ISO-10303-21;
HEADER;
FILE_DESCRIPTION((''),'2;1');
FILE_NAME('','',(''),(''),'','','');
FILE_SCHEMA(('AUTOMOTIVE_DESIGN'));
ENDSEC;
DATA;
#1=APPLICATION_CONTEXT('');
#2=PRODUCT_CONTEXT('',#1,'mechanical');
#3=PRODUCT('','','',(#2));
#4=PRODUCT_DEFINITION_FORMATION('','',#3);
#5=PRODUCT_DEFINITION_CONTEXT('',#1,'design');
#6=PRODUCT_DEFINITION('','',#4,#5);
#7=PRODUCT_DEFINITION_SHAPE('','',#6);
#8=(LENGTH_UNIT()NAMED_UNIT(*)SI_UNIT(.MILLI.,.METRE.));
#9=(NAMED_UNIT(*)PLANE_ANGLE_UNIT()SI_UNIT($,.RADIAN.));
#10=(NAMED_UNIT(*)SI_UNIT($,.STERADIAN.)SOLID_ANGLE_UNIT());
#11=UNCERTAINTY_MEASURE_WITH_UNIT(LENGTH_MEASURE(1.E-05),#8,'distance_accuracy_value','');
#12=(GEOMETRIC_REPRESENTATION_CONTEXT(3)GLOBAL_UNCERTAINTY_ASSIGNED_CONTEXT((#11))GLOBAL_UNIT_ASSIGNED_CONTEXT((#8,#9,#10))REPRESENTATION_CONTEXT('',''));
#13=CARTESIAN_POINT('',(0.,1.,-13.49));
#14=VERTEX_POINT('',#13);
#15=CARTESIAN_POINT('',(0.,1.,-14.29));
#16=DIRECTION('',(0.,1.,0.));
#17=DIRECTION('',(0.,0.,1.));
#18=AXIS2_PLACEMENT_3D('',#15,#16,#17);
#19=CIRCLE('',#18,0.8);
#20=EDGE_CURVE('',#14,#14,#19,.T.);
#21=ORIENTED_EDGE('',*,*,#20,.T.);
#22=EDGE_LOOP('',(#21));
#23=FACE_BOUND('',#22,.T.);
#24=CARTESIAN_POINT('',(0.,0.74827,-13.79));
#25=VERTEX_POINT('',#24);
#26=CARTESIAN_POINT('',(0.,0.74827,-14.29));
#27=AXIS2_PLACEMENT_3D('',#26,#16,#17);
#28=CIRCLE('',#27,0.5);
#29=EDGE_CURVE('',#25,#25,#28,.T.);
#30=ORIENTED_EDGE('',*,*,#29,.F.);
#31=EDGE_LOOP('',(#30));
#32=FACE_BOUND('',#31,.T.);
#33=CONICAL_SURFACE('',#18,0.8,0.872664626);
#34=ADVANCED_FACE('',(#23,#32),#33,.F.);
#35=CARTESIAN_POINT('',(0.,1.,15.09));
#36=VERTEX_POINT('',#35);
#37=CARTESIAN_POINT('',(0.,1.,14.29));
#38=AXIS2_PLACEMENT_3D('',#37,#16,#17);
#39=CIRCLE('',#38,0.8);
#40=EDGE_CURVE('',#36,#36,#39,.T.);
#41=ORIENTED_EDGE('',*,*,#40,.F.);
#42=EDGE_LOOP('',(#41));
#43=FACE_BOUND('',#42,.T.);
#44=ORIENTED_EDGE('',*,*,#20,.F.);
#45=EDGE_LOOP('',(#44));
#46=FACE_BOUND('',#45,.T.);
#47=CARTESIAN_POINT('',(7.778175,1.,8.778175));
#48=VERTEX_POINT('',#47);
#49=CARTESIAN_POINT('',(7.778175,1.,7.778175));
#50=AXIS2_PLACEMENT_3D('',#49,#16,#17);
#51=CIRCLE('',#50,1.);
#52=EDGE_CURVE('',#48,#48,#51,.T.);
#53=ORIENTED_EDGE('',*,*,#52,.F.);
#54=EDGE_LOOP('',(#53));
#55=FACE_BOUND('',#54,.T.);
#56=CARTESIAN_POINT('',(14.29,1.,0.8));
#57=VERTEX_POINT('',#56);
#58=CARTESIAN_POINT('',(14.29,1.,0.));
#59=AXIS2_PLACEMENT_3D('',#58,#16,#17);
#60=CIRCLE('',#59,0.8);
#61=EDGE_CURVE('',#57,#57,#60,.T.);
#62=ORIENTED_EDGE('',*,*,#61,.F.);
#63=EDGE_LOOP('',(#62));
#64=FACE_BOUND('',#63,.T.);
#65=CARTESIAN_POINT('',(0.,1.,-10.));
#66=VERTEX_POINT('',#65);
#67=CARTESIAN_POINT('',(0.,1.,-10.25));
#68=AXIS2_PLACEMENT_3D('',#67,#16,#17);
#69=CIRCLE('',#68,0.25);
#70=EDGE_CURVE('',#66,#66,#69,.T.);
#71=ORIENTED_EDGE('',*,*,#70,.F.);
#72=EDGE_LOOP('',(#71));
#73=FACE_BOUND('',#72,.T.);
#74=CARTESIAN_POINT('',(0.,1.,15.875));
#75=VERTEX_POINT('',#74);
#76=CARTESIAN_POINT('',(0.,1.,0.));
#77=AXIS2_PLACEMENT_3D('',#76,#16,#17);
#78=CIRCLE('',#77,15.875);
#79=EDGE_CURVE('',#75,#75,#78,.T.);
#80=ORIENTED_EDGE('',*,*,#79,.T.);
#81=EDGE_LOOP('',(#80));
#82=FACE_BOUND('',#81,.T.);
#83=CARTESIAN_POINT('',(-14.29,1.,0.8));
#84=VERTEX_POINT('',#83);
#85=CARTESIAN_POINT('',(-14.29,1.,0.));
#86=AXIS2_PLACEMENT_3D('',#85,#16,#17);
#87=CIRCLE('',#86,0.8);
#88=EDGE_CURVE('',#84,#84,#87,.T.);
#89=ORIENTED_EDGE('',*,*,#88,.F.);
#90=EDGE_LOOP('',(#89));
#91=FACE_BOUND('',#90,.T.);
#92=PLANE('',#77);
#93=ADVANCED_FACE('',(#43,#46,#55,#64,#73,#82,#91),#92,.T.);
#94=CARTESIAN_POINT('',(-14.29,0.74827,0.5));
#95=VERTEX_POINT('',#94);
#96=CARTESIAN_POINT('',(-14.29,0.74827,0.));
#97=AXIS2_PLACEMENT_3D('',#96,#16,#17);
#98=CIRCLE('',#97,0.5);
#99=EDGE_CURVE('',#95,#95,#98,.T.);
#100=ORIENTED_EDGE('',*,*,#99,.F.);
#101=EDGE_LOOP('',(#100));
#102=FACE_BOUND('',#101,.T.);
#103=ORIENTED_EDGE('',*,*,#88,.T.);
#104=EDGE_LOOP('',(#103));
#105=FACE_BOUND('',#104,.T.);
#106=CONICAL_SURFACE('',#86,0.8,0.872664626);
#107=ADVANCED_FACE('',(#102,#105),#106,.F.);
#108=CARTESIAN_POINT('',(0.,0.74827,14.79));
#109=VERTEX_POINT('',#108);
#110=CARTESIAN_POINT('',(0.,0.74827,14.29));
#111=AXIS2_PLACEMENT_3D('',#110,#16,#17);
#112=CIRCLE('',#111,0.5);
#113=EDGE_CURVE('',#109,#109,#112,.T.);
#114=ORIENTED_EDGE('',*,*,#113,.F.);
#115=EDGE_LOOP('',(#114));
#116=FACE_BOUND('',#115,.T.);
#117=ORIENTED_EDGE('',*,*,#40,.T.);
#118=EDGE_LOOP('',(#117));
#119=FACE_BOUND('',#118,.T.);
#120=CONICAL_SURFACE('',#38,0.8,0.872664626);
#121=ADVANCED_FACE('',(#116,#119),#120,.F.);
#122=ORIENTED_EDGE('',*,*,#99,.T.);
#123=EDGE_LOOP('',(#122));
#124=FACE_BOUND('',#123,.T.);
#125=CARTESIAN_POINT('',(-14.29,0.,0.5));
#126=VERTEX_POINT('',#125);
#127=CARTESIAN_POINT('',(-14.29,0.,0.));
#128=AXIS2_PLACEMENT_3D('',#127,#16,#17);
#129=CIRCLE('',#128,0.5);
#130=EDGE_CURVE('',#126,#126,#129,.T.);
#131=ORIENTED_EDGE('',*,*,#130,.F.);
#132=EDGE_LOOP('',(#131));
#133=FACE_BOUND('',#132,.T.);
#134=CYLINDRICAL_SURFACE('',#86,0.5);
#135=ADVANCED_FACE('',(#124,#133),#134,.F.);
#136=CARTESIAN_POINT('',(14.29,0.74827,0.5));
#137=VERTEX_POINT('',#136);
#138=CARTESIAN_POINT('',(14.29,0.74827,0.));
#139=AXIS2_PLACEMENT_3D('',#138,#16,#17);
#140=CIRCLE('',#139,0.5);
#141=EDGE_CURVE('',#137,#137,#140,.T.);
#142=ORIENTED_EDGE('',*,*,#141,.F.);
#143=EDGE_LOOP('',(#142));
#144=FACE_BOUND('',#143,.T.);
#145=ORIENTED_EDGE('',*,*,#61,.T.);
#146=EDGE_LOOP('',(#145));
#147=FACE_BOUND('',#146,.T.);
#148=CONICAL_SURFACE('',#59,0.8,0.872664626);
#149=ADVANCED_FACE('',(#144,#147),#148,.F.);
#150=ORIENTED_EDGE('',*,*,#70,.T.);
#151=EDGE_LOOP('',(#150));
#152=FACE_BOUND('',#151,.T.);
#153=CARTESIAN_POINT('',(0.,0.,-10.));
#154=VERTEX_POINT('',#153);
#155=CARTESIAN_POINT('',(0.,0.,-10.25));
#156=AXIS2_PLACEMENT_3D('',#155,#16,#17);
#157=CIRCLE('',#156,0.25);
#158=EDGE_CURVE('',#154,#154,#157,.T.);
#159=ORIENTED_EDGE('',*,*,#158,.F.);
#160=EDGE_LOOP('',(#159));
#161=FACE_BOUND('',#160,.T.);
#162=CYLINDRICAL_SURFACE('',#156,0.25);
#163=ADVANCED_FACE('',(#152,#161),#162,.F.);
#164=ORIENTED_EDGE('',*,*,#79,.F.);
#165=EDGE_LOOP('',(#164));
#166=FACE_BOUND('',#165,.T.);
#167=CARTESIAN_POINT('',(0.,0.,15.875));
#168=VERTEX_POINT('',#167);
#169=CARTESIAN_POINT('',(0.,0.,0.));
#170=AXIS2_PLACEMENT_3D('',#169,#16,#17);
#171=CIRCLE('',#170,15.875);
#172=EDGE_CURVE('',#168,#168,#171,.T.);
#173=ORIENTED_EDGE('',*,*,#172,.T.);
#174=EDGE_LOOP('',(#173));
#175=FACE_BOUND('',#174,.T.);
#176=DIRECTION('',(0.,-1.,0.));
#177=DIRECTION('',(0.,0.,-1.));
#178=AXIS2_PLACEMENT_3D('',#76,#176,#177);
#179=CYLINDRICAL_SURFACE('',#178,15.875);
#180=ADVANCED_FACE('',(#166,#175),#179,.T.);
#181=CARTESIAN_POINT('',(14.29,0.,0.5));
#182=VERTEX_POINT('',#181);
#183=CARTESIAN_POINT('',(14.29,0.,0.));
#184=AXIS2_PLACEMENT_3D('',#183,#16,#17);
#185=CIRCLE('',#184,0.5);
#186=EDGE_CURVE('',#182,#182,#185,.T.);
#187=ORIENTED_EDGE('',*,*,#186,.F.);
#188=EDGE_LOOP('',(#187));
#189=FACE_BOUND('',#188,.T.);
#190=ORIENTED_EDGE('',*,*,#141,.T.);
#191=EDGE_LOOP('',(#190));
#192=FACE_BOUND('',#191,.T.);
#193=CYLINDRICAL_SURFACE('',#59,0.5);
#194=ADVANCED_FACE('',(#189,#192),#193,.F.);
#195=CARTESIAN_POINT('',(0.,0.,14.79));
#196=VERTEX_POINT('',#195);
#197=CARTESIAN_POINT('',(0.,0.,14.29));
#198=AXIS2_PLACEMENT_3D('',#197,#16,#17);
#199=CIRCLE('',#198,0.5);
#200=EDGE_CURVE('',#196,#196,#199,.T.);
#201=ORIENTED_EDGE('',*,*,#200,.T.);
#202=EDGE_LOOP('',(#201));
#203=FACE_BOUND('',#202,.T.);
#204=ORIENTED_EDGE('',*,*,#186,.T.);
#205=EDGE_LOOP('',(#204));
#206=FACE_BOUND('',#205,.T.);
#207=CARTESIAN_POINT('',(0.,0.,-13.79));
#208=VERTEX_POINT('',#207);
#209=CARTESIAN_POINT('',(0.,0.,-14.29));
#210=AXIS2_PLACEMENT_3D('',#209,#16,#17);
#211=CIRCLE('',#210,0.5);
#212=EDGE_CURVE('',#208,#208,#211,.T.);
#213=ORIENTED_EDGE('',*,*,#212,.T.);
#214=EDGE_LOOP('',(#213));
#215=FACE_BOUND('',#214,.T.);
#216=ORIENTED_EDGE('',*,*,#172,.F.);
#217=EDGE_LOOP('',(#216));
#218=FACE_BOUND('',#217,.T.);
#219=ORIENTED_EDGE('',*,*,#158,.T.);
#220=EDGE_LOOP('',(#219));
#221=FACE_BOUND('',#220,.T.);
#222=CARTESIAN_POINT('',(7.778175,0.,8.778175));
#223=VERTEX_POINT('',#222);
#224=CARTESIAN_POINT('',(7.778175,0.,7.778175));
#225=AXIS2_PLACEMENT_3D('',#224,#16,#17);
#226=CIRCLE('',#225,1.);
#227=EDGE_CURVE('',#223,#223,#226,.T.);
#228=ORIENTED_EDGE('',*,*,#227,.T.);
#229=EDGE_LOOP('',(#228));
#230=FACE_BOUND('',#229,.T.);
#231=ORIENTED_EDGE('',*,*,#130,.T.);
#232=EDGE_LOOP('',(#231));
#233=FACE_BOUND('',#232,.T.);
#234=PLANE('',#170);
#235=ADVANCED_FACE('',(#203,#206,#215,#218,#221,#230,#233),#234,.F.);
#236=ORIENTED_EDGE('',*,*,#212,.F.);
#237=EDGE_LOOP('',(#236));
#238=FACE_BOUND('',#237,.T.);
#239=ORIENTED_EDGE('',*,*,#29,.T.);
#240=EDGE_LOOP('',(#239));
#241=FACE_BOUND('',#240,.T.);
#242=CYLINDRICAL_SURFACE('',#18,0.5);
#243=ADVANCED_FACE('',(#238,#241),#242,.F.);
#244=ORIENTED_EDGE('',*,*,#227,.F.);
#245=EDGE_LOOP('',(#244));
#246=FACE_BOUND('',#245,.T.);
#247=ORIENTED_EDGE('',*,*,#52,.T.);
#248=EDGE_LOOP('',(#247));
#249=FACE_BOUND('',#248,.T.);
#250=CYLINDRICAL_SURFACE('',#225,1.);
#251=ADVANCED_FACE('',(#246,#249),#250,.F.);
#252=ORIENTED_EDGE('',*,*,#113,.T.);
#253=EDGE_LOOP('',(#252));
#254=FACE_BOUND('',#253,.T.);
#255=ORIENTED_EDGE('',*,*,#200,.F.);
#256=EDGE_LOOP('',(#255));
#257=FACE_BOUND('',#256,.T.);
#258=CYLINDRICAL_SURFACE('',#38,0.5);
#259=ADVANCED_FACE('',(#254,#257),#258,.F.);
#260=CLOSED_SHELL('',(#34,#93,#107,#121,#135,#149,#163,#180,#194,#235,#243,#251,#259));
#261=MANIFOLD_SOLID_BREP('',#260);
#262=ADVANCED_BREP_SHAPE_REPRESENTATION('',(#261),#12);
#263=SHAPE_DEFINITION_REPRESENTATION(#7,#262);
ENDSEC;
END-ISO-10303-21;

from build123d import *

# Parameters (mm, degrees)
SKETCH1_R                                       = 15.875
BOSS_EXTRUDE1_DEPTH                             = 1
CUT_EXTRUDE1_DEPTH                              = 23.472900347
CUT_EXTRUDE1_DEPTH_BACK                         = 23.472900347
SKETCH6_R                                       = 0.25
SKETCH6_R_2                                     = 1
CSK_FOR_M2_FLAT_HEAD_MACHINE_SCREW1_D           = 1
CSK_FOR_M2_FLAT_HEAD_MACHINE_SCREW1_CSINK_D     = 1.6
CSK_FOR_M2_FLAT_HEAD_MACHINE_SCREW1_CSINK_ANGLE = 100


with BuildPart() as part:
    # Sketch1 → Boss-Extrude1 (new body)
    with BuildSketch(Plane(origin=(0, 0, 0), x_dir=(1, 0, 0), z_dir=(0, 1, 0))):
        with Locations(Location((0, 0, 0), (0, 0, 270))):
            Circle(SKETCH1_R)
    extrude(amount=BOSS_EXTRUDE1_DEPTH)

    # Sketch6 → Cut-Extrude1 (cut, two sides: drawn at the far end of the back side and taken through both)
    with BuildSketch(Plane(origin=(0, 1, 0), x_dir=(1, 0, 0), z_dir=(0, 1, 0)).offset(-CUT_EXTRUDE1_DEPTH_BACK)):
        with Locations(Location((0, 10.25, 0), (0, 0, 270))):
            Circle(SKETCH6_R)
        with Locations(Location((7.778174593, -7.778174593, 0), (0, 0, 270))):
            Circle(SKETCH6_R_2)
    extrude(amount=CUT_EXTRUDE1_DEPTH + CUT_EXTRUDE1_DEPTH_BACK, mode=Mode.SUBTRACT)

    # CSK for M2 Flat Head Machine Screw1 (through all)
    with Locations(Plane(origin=(0, 1, 0), x_dir=(1, 0, 0), z_dir=(0, 1, 0))):
        with Locations((0, 14.29), (-14.29, 0), (0, -14.29), (14.29, 0)):
            CounterSinkHole(CSK_FOR_M2_FLAT_HEAD_MACHINE_SCREW1_D / 2, CSK_FOR_M2_FLAT_HEAD_MACHINE_SCREW1_CSINK_D / 2, counter_sink_angle=CSK_FOR_M2_FLAT_HEAD_MACHINE_SCREW1_CSINK_ANGLE)


solid = part.part
